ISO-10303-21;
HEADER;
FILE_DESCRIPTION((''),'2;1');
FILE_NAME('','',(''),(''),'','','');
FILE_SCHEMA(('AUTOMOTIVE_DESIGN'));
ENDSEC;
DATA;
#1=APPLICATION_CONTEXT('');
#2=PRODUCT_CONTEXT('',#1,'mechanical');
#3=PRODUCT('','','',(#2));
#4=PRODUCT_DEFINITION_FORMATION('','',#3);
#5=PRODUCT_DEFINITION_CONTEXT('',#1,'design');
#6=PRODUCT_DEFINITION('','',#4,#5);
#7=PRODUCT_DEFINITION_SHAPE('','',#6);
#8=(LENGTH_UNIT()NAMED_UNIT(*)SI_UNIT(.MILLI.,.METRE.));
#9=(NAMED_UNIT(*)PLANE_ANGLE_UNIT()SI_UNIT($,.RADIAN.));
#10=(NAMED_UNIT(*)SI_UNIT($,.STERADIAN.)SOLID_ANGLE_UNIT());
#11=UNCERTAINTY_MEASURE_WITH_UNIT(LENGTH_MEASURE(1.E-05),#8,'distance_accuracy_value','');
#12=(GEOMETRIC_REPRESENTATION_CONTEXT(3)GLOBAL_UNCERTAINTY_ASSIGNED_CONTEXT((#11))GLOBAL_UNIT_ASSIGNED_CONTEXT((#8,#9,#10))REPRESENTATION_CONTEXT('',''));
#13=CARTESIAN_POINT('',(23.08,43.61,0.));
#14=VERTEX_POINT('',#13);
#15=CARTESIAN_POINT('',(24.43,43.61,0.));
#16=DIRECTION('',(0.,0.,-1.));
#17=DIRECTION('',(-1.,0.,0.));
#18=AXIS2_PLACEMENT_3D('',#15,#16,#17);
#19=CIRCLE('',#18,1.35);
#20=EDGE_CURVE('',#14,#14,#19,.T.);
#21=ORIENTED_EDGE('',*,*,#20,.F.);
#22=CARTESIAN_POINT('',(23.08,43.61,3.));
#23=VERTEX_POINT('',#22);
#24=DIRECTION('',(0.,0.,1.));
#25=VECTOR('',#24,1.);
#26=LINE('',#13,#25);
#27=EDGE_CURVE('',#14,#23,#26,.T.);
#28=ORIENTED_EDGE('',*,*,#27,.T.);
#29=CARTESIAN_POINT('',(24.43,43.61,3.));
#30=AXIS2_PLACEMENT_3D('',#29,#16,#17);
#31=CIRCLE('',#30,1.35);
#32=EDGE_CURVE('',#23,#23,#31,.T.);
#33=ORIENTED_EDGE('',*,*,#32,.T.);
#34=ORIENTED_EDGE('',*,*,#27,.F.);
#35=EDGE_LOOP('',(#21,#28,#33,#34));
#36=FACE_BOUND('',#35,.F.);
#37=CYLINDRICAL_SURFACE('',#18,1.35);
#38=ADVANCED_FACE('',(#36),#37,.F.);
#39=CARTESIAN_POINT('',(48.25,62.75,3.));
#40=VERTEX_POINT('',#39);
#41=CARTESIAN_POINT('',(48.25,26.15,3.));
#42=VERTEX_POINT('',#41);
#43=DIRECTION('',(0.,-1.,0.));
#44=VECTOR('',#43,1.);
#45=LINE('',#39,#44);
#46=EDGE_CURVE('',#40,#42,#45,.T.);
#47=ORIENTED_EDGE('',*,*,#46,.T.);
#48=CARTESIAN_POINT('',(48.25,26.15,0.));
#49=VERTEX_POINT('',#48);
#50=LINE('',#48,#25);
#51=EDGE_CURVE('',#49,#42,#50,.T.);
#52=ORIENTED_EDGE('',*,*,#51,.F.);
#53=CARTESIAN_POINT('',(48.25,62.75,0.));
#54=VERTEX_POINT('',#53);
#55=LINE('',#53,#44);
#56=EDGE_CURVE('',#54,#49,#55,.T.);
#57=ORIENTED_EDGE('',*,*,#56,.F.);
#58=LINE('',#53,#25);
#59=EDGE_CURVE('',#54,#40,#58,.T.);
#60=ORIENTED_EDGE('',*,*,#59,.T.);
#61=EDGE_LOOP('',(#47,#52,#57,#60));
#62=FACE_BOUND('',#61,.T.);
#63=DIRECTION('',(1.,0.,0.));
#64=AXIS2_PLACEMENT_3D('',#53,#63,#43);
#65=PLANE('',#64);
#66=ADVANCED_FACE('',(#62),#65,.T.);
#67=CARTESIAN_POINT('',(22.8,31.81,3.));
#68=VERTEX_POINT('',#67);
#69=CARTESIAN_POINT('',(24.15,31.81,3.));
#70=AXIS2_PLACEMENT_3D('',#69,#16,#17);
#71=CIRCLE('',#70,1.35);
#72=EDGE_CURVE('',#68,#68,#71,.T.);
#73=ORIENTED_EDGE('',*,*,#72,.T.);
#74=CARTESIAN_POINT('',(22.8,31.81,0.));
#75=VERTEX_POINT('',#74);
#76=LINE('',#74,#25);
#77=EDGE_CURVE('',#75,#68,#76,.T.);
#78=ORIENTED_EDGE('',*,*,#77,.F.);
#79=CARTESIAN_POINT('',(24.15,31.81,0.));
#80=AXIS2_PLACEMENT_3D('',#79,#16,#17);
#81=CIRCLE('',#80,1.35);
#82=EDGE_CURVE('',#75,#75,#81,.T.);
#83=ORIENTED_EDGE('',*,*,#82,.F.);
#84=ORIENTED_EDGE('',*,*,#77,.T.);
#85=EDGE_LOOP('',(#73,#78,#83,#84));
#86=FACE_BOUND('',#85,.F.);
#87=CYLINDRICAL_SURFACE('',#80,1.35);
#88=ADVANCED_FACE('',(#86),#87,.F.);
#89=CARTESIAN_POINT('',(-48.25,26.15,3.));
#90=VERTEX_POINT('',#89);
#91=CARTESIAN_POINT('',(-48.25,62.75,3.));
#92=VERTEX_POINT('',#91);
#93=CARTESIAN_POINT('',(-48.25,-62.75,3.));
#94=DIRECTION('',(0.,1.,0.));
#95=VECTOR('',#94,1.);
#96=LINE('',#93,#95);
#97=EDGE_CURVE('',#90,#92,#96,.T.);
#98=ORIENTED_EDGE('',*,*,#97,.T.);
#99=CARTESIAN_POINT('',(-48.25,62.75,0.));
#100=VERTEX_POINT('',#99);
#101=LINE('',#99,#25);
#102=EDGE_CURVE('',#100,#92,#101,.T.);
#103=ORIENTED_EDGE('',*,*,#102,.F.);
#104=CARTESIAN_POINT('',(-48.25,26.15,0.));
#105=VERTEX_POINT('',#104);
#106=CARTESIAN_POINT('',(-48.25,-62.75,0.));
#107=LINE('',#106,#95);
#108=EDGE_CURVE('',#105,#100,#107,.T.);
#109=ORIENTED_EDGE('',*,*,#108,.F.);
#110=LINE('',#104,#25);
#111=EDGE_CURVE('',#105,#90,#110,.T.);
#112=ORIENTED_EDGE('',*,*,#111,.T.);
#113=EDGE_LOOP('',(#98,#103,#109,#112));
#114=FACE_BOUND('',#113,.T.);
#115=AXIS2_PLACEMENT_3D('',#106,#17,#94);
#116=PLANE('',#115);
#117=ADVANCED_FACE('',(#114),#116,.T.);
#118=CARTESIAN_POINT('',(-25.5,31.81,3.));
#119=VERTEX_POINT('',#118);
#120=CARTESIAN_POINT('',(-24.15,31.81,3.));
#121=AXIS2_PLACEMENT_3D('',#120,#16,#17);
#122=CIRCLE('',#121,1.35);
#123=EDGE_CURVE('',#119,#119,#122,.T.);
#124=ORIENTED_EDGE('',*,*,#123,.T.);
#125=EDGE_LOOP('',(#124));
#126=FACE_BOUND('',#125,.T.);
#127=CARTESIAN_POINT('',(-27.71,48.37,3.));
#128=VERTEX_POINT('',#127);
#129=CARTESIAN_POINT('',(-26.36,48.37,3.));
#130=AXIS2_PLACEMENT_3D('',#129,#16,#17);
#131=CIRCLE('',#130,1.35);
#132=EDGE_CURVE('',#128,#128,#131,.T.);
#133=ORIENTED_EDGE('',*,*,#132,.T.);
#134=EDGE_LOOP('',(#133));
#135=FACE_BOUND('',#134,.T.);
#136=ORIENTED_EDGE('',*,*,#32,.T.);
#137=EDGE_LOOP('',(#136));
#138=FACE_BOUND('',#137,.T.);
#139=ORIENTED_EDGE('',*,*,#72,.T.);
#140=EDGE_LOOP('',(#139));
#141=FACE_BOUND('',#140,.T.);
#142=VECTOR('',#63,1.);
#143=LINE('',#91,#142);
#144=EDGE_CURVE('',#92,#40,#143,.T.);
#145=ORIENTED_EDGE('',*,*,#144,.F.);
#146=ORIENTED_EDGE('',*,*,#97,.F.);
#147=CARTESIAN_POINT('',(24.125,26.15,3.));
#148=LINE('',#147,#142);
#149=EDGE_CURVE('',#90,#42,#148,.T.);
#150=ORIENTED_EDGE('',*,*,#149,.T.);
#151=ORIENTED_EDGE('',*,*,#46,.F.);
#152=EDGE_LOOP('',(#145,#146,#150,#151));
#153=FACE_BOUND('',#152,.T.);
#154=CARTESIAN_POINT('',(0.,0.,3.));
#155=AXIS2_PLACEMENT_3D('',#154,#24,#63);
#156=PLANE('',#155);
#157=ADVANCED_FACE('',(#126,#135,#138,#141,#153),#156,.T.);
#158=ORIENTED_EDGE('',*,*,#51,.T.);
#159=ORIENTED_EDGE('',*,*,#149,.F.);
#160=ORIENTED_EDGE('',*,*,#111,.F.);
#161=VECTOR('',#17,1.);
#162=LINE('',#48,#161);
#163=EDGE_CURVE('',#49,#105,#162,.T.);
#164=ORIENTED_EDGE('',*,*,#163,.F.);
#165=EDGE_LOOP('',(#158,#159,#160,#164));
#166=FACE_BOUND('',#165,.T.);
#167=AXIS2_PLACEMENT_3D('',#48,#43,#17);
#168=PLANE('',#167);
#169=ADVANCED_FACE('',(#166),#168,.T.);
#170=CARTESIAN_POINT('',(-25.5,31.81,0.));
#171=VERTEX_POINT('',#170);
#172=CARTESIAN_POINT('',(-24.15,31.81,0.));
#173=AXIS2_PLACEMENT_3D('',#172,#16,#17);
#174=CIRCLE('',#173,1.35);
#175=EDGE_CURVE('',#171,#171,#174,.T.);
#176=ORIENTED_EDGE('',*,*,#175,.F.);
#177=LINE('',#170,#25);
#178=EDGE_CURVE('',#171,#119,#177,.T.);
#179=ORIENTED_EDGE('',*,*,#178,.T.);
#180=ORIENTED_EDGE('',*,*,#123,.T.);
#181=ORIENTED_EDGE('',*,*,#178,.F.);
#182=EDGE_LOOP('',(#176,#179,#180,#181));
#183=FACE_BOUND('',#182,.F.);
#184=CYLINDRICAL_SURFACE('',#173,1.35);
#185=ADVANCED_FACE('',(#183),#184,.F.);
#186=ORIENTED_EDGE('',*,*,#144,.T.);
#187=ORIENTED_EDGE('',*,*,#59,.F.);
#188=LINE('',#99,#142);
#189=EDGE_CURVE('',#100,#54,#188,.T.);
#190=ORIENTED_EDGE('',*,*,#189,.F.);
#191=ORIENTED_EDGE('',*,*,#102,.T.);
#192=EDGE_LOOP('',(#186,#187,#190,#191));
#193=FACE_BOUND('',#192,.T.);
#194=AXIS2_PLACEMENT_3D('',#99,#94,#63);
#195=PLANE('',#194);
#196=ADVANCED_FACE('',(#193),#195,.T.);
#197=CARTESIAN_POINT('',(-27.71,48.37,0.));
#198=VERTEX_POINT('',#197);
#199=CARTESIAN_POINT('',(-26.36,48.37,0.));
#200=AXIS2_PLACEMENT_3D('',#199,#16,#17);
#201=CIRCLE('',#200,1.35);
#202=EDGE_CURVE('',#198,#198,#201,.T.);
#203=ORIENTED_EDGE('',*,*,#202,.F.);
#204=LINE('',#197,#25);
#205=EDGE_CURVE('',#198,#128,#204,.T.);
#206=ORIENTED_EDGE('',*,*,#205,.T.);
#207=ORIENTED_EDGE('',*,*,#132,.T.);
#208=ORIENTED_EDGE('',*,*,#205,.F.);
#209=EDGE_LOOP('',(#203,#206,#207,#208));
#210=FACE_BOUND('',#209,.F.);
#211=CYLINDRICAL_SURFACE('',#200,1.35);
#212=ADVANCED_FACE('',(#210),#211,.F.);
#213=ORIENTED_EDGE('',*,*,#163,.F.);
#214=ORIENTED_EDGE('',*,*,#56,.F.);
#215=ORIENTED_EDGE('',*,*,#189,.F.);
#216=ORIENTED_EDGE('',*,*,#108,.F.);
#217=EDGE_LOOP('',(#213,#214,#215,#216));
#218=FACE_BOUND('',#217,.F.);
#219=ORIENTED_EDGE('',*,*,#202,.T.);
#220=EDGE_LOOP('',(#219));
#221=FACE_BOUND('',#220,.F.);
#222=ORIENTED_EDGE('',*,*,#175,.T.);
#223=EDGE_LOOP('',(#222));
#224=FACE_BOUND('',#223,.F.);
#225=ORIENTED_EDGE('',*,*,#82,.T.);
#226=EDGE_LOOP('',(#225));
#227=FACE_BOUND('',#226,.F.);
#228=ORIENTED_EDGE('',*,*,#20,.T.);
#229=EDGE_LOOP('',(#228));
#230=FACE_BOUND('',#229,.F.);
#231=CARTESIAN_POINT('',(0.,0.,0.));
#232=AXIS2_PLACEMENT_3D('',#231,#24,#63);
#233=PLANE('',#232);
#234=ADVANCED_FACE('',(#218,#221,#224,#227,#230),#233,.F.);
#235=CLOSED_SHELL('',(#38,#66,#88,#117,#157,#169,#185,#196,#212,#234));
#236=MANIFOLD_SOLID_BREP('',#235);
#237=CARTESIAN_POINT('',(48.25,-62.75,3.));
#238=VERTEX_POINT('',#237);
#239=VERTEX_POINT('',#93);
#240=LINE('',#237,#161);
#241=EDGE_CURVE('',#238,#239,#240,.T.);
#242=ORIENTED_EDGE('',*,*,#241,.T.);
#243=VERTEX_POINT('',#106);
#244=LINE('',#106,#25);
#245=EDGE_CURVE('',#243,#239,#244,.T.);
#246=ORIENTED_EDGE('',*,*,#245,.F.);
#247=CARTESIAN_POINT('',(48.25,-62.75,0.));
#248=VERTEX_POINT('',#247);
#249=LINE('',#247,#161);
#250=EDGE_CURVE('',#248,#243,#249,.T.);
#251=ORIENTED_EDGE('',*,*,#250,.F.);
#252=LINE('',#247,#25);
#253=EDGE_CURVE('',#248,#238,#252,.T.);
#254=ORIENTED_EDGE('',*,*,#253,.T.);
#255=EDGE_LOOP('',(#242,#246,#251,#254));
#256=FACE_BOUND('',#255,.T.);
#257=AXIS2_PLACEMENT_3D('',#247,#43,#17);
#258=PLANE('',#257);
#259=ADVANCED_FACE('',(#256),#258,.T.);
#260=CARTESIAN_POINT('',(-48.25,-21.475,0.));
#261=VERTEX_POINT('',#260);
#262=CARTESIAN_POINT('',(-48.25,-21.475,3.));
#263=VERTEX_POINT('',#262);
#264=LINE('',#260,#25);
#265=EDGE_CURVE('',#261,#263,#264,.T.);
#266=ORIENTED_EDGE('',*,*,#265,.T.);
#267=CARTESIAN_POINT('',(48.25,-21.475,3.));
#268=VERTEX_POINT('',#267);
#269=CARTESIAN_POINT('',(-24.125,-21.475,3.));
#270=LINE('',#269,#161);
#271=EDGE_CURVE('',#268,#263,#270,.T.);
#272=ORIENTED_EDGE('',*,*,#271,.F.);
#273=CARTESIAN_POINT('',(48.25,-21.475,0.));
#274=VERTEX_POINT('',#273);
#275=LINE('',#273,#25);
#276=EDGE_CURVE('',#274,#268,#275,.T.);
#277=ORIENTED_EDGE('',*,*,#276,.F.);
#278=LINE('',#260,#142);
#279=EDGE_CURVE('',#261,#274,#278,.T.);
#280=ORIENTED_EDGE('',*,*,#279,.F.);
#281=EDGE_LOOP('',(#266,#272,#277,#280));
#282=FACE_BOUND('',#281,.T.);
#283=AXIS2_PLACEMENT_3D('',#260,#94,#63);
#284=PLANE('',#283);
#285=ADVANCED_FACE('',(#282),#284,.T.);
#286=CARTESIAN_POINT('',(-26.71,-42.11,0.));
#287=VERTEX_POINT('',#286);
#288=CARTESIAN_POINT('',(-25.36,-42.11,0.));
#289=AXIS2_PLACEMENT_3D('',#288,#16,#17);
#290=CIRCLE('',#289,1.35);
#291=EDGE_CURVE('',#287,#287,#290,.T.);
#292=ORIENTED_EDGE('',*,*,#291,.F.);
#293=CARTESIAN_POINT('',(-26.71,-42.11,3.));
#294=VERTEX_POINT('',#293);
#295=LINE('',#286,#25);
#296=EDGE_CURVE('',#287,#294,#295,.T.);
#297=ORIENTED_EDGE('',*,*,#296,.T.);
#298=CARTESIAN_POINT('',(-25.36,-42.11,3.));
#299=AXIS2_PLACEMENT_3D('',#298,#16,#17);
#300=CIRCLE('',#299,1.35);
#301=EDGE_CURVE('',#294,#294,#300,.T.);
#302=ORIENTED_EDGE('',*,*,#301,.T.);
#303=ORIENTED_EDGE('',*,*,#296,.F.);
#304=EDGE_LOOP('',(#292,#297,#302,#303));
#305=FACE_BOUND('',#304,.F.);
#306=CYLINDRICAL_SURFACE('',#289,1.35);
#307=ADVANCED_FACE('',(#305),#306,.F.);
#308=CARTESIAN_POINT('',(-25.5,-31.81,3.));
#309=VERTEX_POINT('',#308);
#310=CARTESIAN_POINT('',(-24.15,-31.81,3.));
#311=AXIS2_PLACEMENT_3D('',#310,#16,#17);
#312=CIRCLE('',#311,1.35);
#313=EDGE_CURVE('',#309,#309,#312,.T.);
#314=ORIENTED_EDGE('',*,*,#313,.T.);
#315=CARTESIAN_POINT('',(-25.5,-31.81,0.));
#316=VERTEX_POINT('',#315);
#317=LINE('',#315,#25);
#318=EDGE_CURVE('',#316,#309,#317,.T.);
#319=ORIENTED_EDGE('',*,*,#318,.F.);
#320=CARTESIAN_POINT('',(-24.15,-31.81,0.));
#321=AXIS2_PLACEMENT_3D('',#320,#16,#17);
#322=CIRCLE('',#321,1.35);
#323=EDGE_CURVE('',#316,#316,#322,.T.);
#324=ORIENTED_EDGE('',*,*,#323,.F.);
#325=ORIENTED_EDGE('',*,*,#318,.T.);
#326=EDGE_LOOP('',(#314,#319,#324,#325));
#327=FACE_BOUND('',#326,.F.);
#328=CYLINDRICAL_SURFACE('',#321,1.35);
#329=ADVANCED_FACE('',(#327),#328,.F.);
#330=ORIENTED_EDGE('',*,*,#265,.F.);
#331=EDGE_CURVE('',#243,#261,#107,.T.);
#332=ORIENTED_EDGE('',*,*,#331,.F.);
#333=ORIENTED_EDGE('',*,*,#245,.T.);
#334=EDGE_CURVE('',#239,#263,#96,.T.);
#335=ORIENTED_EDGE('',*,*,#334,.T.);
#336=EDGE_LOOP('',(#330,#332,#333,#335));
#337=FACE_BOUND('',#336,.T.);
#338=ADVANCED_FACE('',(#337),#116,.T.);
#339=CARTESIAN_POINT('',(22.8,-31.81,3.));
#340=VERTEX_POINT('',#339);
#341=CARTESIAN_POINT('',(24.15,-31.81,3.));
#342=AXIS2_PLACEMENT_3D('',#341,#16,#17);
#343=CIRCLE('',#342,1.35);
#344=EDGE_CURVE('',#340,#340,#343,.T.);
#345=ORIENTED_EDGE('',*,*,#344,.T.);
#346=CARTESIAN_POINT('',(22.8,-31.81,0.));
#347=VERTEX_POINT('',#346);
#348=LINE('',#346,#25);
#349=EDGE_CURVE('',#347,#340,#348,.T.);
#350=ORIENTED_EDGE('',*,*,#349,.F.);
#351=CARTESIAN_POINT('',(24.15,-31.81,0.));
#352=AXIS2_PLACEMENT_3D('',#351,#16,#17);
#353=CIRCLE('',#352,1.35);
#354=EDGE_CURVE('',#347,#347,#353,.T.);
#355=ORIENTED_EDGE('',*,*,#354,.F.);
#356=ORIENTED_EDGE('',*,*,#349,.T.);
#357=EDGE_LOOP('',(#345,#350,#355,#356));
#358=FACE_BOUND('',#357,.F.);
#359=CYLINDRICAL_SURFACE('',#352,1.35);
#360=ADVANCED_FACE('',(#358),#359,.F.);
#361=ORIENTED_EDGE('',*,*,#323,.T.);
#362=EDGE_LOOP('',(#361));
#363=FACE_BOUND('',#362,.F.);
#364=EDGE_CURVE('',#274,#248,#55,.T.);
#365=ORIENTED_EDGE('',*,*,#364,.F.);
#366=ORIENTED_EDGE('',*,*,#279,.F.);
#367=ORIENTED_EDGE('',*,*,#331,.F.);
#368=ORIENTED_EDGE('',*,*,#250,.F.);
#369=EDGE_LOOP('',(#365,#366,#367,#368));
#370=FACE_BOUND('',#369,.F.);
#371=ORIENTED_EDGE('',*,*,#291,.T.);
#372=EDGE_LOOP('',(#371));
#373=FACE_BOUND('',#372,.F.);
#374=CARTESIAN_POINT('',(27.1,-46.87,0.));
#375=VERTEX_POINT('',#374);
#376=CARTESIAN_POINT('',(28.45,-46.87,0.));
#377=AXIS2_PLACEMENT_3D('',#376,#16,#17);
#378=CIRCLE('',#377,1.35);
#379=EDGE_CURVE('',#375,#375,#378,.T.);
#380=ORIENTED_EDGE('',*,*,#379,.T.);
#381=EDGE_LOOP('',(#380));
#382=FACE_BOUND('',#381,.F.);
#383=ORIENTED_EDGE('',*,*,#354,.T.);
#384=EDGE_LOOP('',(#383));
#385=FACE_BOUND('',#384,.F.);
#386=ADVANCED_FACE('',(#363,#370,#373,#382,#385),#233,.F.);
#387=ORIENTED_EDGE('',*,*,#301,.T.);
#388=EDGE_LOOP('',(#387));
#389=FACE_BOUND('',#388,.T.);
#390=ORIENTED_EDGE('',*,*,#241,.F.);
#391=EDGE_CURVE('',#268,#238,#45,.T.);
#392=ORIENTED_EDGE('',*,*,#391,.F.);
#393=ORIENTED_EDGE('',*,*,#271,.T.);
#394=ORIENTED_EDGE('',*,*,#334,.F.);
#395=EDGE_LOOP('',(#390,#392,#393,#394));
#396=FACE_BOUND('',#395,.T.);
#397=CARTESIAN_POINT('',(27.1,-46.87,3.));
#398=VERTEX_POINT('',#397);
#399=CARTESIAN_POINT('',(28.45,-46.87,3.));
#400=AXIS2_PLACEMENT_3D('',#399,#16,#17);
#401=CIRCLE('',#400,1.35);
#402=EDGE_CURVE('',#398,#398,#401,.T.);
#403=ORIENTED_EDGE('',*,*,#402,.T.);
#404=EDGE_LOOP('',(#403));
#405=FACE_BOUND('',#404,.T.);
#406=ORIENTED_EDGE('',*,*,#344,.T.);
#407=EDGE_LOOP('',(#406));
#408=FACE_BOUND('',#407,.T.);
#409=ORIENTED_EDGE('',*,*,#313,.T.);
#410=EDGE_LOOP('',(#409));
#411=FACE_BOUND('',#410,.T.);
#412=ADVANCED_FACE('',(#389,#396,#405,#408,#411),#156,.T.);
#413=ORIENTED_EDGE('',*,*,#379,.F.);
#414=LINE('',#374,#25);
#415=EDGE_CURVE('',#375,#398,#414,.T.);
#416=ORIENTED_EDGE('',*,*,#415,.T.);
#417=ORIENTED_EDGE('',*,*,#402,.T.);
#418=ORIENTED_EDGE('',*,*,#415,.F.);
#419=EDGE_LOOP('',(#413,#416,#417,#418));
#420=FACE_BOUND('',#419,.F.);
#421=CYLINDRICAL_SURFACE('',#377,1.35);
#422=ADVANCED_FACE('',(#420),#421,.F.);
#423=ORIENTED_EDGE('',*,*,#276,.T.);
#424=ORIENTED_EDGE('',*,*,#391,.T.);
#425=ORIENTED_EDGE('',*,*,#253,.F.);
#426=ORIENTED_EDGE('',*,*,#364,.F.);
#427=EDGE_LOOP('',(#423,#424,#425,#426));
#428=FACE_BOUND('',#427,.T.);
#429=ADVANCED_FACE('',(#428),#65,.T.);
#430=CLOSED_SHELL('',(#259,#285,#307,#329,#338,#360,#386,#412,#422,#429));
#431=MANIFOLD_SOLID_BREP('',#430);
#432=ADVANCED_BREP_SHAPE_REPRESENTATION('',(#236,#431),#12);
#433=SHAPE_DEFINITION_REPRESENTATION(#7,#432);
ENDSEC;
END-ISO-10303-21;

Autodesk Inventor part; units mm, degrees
ref_plane "YZ Plane" through (0, 0, 0) normal (1, 0, 0) x (0, 1, 0)
ref_plane "XZ Plane" through (0, 0, 0) normal (0, 1, 0) x (-1, 0, 0)
ref_plane "XY Plane" through (0, 0, 0) normal (0, 0, 1) x (1, 0, 0)
sketch "Sketch1" plane through (0, 0, 0) normal (0, 0, 1) x (1, 0, 0)
  line L0 (-48.25, 62.75) -> (48.25, 62.75)
  line L1 (48.25, 62.75) -> (48.25, -62.75)
  line L2 (48.25, -62.75) -> (-48.25, -62.75)
  line L3 (-48.25, -62.75) -> (-48.25, 62.75)
  line L4 (-48.25, 62.75) -> (48.25, -62.75) construction
  line L5 (48.25, 62.75) -> (-48.25, -62.75) construction
  point P0 (0, 0)
  dimension "d0" = 96.5
  dimension "d1" = 125.5
extrude "Extrusion1" add sketch "Sketch1" along normal blind 3
ref_plane "Work Plane2" through (-48.25, 0, 0) normal (0, -1, 0) x (1, 0, 0)
sketch "Sketch3" plane through (0, 0, 0) normal (0, 0, -1) x (-1, 0, 0)
  point P0 (0, 0)
  point P1 (0, 0)
sketch "Sketch4" plane through (0, 0, 0) normal (0, 0, -1) x (-1, 0, 0)
  point P0 (0, 0)
sketch "Sketch5" plane through (0, 0, 0) normal (0, 0, -1) x (-1, 0, 0)
  circle A0 centre (-24.15, 31.81) radius 1.35
  line L0 (-48.25, 62.75) -> (48.25, 62.75) projected
  line L1 (-48.25, -62.75) -> (-48.25, 62.75) projected
  line L2 (-48.25, 62.75) -> (48.25, 62.75) projected
  line L3 (0, 62.75) -> (0, -62.75)
  line L4 (48.25, -62.75) -> (-48.25, -62.75) projected
  circle A1 centre (24.15, 31.81) radius 1.35
  line L5 (-48.25, 0) -> (48.25, 0)
  line L6 (48.25, 62.75) -> (48.25, -62.75) projected
  circle A2 centre (-24.15, -31.81) radius 1.35
  circle A3 centre (24.15, -31.81) radius 1.35
  circle A4 centre (-24.43, 43.61) radius 1.35
  circle A5 centre (26.36, 48.37) radius 1.35
  circle A6 centre (-28.45, -46.87) radius 1.35
  circle A7 centre (25.36, -42.11) radius 1.35
  point P0 (0, 0)
  dimension "d4" = 2.7
  dimension "d6" = 30.94
  dimension "d7" = 24.1
  dimension "d8" = 2.7
  dimension "d9" = 2.7
  dimension "d10" = 2.7
  dimension "d11" = 2.7
  dimension "d12" = 23.82
  dimension "d13" = 19.14
  dimension "d14" = 14.38
  dimension "d15" = 21.89
  dimension "d16" = 19.8
  dimension "d18" = 15.88
  dimension "d19" = 20.64
  dimension "d20" = 22.89
extrude "Extrusion2" cut sketch "Sketch5" against normal through all contours A0 | A1 | A2 | A3 | A4 | A5 | A6 | A7
sketch "Sketch6" plane through (0, 0, 0) normal (0, 0, -1) x (-1, 0, 0)
  line L0 (-48.25, -62.75) -> (-48.25, 62.75) projected
  line L1 (48.25, 62.75) -> (48.25, -62.75) projected
  line L2 (-48.25, 26.15) -> (48.25, 26.15)
  line L3 (48.25, 26.15) -> (48.25, -21.475)
  line L4 (48.25, -21.475) -> (-48.25, -21.475)
  line L5 (-48.25, -21.475) -> (-48.25, 26.15)
  line L6 (-48.25, 62.75) -> (48.25, 62.75) projected
  line L7 (48.25, -62.75) -> (-48.25, -62.75) projected
  point P0 (0, 0)
  point P1 (-48.25, -21.475)
  point P2 (48.25, 26.15)
  dimension "d23" = 36.6
  dimension "d24" = 41.275
extrude "Extrusion3" cut sketch "Sketch6" against normal blind 10 contours L0 L2 L1 L4
properties part number "n"
